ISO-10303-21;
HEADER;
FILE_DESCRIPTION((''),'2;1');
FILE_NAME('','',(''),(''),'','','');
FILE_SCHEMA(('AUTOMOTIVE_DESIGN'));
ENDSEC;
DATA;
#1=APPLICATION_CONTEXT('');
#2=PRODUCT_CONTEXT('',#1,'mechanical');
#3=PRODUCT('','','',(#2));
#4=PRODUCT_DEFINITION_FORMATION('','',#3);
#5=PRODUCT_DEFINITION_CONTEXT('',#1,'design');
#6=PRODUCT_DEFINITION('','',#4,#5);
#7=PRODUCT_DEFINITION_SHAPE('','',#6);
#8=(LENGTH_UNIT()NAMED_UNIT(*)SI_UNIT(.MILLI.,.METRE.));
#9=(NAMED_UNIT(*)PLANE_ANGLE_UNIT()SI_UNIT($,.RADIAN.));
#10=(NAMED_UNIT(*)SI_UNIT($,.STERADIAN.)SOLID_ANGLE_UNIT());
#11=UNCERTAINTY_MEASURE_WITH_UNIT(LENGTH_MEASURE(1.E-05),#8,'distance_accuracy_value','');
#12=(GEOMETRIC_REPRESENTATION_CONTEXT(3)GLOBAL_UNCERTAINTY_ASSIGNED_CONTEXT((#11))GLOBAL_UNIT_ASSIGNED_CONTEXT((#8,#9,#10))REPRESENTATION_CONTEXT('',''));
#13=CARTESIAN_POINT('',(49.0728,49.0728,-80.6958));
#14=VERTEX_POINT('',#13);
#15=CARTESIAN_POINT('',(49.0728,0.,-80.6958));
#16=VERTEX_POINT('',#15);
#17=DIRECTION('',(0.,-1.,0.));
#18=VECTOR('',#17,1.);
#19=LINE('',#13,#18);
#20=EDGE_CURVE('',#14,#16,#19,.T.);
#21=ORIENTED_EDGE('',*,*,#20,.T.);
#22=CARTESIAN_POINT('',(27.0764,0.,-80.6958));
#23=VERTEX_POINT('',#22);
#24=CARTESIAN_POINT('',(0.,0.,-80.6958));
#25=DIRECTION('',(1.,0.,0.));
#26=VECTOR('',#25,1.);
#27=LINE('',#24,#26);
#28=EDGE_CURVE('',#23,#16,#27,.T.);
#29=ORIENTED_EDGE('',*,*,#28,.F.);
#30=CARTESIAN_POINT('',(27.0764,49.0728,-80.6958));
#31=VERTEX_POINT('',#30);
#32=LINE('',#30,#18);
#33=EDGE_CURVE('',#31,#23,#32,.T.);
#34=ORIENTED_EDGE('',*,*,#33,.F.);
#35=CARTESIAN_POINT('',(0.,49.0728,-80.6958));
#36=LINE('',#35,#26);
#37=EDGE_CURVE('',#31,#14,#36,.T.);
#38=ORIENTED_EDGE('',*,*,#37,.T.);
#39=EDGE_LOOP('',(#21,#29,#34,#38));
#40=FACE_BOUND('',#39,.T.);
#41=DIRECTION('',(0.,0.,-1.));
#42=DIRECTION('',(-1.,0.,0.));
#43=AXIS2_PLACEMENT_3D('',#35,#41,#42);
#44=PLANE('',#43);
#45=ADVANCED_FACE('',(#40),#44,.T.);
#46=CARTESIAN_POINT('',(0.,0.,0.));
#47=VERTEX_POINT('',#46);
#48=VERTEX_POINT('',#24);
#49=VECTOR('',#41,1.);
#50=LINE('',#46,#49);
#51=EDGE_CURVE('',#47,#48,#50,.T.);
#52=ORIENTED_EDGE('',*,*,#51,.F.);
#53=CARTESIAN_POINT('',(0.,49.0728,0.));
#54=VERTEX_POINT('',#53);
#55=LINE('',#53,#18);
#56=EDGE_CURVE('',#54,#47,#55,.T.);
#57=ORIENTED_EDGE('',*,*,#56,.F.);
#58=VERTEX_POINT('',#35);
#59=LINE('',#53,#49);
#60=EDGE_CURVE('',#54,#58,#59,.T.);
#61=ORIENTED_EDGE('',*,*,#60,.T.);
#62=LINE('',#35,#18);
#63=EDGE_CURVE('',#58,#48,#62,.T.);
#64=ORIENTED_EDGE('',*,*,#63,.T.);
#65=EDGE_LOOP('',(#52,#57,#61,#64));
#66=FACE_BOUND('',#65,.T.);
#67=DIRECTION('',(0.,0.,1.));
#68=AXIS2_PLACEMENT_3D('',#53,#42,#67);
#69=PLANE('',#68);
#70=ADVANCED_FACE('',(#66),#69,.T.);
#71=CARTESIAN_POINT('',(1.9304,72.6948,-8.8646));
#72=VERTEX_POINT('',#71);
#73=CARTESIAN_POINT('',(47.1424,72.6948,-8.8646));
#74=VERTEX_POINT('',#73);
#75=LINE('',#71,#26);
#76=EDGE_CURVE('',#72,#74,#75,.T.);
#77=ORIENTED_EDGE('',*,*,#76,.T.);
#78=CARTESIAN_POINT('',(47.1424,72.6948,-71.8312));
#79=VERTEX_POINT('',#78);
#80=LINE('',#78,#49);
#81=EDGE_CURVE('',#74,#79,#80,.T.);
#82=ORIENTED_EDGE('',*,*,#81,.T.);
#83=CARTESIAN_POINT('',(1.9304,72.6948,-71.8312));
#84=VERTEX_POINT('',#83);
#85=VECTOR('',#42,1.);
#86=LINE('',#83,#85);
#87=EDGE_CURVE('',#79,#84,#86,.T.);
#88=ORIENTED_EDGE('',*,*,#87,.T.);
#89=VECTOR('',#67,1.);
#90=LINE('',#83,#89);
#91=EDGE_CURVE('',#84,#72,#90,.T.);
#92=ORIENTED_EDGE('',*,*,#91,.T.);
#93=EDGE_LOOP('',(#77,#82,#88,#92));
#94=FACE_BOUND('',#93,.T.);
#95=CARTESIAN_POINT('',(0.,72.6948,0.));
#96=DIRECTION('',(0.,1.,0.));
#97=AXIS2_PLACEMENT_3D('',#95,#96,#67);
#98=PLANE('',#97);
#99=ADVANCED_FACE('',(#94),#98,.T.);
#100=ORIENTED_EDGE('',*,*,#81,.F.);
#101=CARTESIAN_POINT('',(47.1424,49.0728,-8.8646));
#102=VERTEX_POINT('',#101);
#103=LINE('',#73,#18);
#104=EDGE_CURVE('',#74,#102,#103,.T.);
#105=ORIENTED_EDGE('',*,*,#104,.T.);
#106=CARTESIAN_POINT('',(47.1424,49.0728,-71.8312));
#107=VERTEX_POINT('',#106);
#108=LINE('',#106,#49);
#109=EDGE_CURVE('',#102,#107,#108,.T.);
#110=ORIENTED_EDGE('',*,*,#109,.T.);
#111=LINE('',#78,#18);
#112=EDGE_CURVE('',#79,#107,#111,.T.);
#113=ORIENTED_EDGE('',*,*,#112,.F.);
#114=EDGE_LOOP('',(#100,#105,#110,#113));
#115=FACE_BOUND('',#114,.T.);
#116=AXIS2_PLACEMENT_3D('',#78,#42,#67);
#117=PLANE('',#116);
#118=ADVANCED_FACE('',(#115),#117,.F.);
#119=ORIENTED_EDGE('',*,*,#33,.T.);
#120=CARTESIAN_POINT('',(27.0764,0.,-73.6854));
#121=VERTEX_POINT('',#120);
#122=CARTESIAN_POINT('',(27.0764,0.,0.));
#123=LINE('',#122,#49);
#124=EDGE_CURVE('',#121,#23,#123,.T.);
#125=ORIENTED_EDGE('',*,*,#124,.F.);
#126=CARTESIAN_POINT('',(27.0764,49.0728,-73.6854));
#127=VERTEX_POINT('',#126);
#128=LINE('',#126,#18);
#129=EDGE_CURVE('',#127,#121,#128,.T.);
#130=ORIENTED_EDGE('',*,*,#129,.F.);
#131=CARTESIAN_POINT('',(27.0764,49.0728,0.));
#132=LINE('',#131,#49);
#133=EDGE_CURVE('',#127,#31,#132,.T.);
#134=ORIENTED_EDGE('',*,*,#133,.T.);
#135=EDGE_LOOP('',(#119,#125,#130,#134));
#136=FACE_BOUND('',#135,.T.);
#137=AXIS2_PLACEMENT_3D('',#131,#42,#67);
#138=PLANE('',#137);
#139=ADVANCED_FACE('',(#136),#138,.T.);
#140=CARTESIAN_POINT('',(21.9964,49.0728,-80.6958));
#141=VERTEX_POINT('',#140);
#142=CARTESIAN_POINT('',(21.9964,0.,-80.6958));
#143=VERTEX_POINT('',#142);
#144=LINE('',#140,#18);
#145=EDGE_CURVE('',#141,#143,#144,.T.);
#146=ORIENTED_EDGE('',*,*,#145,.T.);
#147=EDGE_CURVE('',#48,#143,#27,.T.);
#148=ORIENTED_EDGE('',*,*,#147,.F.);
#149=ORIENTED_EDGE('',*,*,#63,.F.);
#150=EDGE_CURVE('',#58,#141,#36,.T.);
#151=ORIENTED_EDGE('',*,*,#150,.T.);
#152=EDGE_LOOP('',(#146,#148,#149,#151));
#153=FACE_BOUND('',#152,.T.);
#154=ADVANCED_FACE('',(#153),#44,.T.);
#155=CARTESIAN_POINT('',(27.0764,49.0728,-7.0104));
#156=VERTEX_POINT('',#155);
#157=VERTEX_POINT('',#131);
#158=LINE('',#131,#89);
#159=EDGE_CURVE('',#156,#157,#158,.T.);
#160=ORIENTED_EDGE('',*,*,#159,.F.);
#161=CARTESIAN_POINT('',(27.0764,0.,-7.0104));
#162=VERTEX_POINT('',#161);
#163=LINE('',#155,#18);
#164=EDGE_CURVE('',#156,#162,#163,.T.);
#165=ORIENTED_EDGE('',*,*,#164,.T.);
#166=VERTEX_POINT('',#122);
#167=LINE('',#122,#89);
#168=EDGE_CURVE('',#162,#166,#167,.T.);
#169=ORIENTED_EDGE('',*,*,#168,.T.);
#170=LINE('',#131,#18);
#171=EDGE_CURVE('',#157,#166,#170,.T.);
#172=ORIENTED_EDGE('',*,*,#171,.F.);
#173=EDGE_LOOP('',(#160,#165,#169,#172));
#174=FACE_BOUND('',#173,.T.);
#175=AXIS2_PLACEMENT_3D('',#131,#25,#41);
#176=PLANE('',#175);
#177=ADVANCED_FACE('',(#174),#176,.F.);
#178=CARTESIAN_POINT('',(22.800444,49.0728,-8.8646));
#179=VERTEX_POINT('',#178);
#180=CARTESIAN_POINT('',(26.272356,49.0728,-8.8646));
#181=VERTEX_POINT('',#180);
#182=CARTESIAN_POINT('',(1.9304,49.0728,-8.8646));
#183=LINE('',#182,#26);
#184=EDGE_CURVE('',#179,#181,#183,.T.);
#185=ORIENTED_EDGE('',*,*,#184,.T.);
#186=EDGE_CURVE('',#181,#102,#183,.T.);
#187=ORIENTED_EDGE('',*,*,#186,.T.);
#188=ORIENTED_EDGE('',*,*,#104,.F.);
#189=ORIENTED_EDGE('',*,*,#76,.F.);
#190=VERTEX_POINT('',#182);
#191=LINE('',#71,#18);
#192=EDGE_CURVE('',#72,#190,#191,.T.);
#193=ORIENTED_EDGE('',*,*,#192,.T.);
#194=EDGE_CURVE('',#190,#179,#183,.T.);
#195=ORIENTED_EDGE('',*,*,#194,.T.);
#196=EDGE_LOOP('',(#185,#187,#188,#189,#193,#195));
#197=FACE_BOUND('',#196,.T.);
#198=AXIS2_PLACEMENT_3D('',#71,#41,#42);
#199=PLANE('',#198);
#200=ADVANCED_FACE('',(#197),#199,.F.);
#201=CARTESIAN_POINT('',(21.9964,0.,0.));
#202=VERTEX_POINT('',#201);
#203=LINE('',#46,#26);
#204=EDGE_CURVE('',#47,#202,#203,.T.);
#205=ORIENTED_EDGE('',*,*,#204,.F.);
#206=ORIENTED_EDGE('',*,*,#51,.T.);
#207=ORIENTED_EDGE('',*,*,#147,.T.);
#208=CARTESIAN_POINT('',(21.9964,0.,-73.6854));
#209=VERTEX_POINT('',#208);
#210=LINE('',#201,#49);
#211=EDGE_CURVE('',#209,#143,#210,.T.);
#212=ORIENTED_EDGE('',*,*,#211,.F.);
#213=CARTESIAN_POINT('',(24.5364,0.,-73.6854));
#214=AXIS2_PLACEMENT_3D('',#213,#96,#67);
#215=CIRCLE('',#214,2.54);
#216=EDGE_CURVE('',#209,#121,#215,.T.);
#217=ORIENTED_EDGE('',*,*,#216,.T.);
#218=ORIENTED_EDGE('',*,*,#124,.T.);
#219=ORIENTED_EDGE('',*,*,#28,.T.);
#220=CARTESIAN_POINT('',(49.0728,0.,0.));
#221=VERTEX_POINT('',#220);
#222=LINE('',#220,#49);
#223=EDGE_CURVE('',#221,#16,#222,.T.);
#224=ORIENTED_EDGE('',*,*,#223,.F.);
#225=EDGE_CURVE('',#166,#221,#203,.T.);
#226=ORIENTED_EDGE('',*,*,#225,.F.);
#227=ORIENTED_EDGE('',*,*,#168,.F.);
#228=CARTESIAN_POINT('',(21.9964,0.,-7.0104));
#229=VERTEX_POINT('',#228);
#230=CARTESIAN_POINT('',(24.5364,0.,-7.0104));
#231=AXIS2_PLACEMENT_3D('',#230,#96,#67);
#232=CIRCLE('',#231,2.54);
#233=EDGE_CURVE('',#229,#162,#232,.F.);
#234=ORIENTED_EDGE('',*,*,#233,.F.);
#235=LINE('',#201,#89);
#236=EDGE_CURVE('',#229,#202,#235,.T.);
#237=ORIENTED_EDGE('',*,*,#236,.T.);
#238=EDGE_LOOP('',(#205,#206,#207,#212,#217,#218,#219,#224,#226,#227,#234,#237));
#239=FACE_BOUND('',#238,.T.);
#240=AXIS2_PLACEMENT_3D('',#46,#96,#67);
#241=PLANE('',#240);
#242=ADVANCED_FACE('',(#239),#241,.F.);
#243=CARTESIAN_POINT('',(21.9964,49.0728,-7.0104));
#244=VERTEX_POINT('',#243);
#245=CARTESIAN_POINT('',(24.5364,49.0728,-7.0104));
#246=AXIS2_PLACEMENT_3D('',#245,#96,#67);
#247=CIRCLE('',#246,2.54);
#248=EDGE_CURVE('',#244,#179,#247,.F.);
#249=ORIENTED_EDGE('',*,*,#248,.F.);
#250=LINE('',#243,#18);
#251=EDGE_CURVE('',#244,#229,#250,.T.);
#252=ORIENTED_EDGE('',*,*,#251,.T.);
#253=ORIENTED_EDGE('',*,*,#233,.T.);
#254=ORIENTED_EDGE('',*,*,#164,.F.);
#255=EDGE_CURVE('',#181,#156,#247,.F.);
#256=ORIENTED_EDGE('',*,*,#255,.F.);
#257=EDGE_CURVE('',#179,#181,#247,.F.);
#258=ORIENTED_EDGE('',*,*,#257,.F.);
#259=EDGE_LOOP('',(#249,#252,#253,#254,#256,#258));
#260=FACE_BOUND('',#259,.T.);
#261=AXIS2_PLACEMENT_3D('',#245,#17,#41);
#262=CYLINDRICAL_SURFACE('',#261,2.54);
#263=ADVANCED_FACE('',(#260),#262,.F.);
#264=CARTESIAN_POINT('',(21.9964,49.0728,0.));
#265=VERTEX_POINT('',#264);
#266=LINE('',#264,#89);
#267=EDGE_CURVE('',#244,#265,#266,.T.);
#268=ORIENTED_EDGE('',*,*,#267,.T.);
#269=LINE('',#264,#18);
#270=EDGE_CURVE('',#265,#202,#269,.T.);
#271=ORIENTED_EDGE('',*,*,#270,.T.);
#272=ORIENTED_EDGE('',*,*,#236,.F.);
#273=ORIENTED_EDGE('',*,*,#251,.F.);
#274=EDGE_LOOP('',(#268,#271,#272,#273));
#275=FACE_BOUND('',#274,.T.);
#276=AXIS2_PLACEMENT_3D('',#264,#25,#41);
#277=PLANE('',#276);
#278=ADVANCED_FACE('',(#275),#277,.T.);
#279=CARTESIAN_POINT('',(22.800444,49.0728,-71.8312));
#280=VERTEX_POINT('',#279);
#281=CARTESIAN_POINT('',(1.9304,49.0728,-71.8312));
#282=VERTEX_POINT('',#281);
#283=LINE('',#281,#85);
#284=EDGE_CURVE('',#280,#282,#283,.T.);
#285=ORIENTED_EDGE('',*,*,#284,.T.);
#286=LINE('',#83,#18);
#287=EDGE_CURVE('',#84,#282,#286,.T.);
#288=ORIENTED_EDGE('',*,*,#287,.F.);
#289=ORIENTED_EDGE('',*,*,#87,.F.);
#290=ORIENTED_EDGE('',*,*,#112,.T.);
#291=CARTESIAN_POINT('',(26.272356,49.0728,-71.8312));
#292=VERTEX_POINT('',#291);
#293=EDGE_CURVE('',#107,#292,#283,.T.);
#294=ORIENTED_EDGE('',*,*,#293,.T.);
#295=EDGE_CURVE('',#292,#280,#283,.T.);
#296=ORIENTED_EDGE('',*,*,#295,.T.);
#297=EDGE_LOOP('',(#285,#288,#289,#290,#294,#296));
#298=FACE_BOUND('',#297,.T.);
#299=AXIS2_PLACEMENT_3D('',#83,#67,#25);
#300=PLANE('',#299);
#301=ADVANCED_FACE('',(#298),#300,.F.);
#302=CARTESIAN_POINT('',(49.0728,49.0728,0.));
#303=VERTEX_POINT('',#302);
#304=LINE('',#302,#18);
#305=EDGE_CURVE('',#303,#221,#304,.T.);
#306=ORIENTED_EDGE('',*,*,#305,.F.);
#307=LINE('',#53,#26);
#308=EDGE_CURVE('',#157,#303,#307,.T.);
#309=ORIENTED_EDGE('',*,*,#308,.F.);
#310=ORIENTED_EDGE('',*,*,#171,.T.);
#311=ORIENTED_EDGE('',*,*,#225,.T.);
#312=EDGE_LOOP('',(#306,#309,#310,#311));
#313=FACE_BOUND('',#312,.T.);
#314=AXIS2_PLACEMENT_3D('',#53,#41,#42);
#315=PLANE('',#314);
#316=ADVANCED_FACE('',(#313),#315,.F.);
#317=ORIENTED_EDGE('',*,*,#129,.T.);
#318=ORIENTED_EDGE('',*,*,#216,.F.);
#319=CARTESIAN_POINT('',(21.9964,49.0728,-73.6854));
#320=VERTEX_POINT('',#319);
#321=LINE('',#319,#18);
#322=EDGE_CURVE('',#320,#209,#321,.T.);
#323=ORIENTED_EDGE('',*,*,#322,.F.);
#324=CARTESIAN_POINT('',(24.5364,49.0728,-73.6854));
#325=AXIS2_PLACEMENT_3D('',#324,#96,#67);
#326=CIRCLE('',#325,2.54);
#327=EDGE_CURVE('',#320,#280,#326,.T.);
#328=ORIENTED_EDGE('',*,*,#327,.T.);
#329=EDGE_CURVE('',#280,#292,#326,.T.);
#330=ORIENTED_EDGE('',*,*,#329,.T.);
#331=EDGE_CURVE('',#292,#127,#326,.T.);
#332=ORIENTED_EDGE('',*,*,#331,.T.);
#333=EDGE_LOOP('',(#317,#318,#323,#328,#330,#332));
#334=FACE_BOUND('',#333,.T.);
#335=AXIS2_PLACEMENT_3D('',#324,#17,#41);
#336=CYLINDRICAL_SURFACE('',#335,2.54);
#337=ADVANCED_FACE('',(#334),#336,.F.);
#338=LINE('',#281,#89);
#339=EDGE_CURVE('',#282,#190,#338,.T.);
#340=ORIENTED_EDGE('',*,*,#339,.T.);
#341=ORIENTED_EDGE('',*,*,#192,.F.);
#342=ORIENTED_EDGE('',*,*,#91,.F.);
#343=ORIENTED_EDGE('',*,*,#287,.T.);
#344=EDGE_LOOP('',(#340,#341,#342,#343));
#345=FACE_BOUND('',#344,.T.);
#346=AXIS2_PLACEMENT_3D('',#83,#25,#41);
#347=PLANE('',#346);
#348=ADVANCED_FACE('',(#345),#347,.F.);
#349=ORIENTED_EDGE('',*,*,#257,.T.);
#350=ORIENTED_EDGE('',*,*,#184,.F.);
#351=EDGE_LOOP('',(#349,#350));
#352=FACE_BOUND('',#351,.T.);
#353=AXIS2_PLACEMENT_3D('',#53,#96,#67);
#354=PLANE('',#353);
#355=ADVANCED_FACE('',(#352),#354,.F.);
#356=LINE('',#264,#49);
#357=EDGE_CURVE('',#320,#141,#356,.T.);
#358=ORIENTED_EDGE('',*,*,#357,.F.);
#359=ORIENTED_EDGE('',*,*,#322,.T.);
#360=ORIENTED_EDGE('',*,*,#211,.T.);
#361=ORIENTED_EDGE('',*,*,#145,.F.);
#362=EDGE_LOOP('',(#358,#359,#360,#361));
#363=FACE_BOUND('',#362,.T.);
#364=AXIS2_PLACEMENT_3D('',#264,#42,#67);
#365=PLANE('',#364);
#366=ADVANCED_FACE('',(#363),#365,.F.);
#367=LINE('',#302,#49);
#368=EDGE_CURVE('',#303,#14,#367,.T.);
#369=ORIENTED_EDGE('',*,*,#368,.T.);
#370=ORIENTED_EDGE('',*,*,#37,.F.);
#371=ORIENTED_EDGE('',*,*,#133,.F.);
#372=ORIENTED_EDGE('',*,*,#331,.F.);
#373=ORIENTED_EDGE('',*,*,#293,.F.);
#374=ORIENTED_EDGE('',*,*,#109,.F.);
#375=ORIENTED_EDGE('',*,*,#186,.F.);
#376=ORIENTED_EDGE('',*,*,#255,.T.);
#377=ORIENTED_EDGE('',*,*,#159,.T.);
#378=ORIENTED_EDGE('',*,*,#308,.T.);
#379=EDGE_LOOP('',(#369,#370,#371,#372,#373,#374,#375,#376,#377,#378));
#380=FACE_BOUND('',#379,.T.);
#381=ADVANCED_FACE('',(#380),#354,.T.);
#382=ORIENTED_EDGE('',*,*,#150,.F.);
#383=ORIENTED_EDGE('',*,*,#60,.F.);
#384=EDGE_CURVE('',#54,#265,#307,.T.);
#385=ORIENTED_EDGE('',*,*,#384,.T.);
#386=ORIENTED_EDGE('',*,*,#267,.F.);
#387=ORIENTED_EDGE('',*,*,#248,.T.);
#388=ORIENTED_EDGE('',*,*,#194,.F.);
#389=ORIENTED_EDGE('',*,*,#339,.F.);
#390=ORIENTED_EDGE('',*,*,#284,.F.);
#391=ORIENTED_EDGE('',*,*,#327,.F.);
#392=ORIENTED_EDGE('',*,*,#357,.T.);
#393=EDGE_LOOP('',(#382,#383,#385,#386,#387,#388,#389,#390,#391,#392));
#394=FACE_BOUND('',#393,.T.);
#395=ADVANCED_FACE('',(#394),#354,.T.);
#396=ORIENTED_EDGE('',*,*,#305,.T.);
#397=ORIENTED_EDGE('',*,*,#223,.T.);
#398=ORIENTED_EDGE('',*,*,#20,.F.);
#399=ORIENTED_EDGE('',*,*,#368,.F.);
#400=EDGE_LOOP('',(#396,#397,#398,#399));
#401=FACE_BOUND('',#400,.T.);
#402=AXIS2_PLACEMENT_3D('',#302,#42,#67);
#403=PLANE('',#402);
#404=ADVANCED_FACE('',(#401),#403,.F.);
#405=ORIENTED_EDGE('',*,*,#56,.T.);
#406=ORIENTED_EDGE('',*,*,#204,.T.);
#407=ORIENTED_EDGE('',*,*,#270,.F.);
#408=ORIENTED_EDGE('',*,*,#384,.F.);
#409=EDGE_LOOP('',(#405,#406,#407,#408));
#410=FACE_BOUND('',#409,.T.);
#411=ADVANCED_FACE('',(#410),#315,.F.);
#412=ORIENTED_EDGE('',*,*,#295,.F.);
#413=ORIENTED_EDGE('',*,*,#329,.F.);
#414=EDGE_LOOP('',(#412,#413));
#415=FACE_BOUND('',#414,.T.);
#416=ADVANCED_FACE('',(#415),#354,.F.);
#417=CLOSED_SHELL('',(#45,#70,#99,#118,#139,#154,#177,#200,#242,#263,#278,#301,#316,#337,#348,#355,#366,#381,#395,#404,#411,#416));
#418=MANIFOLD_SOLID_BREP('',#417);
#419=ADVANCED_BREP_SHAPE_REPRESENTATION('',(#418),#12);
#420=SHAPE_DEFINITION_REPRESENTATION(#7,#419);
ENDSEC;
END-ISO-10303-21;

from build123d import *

# Parameters (mm, degrees)
BOSS_EXTRUDE1_DEPTH = 49.0728
SKETCH2_W           = 45.212
SKETCH2_H           = 62.9666
BOSS_EXTRUDE2_DEPTH = 23.622


with BuildPart() as part:
    # Sketch1 → Boss-Extrude1 (new body)
    with BuildSketch(Plane(origin=(0, 0, 0), x_dir=(1, 0, 0), z_dir=(0, 1, 0))):
        with BuildLine():
            Line((0, 80.6958), (0, 0))
            Line((0, 0), (21.9964, 0))
            Line((21.9964, 0), (21.9964, 7.0104))
            ThreePointArc((21.9964, 7.0104), (24.5364, 9.5504), (27.0764, 7.0104))
            Line((27.0764, 7.0104), (27.0764, 0))
            Line((27.0764, 0), (49.0728, 0))
            Line((49.0728, 0), (49.0728, 80.6958))
            Line((49.0728, 80.6958), (27.0764, 80.6958))
            Line((27.0764, 80.6958), (27.0764, 73.6854))
            ThreePointArc((27.0764, 73.6854), (24.5364, 71.1454), (21.9964, 73.6854))
            Line((21.9964, 73.6854), (21.9964, 80.6958))
            Line((21.9964, 80.6958), (0, 80.6958))
        make_face()
    extrude(amount=BOSS_EXTRUDE1_DEPTH)

    # Sketch2 → Boss-Extrude2 (add)
    with BuildSketch(Plane(origin=(0, 49.0728, 0), x_dir=(1, 0, 0), z_dir=(0, 1, 0))):
        with Locations((24.5364, 40.3479)):
            Rectangle(SKETCH2_W, SKETCH2_H)
    extrude(amount=BOSS_EXTRUDE2_DEPTH)


solid = part.part
